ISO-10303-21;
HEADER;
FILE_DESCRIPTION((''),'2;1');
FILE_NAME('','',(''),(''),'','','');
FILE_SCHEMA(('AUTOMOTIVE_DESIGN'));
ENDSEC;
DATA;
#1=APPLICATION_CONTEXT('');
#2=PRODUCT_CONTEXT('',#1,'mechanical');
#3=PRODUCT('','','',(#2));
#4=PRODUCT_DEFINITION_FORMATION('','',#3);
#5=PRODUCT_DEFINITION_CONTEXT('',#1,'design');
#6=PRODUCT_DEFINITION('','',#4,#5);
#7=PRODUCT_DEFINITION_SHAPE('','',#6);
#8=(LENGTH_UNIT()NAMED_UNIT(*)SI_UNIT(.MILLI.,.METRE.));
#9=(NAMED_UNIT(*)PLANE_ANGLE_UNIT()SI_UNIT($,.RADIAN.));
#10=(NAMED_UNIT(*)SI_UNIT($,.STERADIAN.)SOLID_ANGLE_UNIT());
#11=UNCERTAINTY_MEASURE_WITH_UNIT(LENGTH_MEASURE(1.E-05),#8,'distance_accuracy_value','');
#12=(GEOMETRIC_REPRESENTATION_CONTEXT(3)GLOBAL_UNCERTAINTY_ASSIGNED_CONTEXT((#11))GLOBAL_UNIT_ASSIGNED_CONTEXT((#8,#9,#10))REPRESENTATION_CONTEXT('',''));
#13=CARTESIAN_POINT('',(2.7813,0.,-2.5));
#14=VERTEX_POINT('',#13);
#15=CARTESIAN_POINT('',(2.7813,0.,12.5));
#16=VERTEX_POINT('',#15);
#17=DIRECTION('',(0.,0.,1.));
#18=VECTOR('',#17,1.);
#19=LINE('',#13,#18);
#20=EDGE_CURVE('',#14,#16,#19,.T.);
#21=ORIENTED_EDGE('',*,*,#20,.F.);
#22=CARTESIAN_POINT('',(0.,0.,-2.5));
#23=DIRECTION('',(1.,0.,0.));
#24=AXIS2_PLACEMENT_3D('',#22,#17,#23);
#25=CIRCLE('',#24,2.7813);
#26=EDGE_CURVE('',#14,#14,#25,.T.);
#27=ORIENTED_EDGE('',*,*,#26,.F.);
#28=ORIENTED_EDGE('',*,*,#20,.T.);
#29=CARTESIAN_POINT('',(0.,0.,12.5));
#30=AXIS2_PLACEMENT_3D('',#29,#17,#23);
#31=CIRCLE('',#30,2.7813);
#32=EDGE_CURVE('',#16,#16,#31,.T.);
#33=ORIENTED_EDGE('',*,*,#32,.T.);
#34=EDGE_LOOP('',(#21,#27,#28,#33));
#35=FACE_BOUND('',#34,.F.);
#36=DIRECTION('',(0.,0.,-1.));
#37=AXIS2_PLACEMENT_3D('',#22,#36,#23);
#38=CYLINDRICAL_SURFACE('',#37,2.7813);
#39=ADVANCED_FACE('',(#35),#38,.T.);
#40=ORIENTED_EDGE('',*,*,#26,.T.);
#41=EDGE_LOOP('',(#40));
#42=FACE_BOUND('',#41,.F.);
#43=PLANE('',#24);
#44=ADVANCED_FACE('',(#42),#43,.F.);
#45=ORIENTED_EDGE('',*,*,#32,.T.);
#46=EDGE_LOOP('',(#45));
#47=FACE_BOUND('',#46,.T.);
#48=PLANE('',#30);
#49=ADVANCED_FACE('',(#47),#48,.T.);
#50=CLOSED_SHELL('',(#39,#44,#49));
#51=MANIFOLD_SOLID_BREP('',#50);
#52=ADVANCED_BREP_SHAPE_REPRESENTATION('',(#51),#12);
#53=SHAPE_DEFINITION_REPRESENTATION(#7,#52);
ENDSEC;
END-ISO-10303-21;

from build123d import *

# Parameters (mm, degrees)
CYLINDER_R     = 2.7813
CYLINDER_DEPTH = 15


with BuildPart() as part:
    # Cylinder → Cylinder (new body)
    with BuildSketch(Plane.XY.offset(-2.5)):
        Circle(CYLINDER_R)
    extrude(amount=CYLINDER_DEPTH)


solid = part.part
